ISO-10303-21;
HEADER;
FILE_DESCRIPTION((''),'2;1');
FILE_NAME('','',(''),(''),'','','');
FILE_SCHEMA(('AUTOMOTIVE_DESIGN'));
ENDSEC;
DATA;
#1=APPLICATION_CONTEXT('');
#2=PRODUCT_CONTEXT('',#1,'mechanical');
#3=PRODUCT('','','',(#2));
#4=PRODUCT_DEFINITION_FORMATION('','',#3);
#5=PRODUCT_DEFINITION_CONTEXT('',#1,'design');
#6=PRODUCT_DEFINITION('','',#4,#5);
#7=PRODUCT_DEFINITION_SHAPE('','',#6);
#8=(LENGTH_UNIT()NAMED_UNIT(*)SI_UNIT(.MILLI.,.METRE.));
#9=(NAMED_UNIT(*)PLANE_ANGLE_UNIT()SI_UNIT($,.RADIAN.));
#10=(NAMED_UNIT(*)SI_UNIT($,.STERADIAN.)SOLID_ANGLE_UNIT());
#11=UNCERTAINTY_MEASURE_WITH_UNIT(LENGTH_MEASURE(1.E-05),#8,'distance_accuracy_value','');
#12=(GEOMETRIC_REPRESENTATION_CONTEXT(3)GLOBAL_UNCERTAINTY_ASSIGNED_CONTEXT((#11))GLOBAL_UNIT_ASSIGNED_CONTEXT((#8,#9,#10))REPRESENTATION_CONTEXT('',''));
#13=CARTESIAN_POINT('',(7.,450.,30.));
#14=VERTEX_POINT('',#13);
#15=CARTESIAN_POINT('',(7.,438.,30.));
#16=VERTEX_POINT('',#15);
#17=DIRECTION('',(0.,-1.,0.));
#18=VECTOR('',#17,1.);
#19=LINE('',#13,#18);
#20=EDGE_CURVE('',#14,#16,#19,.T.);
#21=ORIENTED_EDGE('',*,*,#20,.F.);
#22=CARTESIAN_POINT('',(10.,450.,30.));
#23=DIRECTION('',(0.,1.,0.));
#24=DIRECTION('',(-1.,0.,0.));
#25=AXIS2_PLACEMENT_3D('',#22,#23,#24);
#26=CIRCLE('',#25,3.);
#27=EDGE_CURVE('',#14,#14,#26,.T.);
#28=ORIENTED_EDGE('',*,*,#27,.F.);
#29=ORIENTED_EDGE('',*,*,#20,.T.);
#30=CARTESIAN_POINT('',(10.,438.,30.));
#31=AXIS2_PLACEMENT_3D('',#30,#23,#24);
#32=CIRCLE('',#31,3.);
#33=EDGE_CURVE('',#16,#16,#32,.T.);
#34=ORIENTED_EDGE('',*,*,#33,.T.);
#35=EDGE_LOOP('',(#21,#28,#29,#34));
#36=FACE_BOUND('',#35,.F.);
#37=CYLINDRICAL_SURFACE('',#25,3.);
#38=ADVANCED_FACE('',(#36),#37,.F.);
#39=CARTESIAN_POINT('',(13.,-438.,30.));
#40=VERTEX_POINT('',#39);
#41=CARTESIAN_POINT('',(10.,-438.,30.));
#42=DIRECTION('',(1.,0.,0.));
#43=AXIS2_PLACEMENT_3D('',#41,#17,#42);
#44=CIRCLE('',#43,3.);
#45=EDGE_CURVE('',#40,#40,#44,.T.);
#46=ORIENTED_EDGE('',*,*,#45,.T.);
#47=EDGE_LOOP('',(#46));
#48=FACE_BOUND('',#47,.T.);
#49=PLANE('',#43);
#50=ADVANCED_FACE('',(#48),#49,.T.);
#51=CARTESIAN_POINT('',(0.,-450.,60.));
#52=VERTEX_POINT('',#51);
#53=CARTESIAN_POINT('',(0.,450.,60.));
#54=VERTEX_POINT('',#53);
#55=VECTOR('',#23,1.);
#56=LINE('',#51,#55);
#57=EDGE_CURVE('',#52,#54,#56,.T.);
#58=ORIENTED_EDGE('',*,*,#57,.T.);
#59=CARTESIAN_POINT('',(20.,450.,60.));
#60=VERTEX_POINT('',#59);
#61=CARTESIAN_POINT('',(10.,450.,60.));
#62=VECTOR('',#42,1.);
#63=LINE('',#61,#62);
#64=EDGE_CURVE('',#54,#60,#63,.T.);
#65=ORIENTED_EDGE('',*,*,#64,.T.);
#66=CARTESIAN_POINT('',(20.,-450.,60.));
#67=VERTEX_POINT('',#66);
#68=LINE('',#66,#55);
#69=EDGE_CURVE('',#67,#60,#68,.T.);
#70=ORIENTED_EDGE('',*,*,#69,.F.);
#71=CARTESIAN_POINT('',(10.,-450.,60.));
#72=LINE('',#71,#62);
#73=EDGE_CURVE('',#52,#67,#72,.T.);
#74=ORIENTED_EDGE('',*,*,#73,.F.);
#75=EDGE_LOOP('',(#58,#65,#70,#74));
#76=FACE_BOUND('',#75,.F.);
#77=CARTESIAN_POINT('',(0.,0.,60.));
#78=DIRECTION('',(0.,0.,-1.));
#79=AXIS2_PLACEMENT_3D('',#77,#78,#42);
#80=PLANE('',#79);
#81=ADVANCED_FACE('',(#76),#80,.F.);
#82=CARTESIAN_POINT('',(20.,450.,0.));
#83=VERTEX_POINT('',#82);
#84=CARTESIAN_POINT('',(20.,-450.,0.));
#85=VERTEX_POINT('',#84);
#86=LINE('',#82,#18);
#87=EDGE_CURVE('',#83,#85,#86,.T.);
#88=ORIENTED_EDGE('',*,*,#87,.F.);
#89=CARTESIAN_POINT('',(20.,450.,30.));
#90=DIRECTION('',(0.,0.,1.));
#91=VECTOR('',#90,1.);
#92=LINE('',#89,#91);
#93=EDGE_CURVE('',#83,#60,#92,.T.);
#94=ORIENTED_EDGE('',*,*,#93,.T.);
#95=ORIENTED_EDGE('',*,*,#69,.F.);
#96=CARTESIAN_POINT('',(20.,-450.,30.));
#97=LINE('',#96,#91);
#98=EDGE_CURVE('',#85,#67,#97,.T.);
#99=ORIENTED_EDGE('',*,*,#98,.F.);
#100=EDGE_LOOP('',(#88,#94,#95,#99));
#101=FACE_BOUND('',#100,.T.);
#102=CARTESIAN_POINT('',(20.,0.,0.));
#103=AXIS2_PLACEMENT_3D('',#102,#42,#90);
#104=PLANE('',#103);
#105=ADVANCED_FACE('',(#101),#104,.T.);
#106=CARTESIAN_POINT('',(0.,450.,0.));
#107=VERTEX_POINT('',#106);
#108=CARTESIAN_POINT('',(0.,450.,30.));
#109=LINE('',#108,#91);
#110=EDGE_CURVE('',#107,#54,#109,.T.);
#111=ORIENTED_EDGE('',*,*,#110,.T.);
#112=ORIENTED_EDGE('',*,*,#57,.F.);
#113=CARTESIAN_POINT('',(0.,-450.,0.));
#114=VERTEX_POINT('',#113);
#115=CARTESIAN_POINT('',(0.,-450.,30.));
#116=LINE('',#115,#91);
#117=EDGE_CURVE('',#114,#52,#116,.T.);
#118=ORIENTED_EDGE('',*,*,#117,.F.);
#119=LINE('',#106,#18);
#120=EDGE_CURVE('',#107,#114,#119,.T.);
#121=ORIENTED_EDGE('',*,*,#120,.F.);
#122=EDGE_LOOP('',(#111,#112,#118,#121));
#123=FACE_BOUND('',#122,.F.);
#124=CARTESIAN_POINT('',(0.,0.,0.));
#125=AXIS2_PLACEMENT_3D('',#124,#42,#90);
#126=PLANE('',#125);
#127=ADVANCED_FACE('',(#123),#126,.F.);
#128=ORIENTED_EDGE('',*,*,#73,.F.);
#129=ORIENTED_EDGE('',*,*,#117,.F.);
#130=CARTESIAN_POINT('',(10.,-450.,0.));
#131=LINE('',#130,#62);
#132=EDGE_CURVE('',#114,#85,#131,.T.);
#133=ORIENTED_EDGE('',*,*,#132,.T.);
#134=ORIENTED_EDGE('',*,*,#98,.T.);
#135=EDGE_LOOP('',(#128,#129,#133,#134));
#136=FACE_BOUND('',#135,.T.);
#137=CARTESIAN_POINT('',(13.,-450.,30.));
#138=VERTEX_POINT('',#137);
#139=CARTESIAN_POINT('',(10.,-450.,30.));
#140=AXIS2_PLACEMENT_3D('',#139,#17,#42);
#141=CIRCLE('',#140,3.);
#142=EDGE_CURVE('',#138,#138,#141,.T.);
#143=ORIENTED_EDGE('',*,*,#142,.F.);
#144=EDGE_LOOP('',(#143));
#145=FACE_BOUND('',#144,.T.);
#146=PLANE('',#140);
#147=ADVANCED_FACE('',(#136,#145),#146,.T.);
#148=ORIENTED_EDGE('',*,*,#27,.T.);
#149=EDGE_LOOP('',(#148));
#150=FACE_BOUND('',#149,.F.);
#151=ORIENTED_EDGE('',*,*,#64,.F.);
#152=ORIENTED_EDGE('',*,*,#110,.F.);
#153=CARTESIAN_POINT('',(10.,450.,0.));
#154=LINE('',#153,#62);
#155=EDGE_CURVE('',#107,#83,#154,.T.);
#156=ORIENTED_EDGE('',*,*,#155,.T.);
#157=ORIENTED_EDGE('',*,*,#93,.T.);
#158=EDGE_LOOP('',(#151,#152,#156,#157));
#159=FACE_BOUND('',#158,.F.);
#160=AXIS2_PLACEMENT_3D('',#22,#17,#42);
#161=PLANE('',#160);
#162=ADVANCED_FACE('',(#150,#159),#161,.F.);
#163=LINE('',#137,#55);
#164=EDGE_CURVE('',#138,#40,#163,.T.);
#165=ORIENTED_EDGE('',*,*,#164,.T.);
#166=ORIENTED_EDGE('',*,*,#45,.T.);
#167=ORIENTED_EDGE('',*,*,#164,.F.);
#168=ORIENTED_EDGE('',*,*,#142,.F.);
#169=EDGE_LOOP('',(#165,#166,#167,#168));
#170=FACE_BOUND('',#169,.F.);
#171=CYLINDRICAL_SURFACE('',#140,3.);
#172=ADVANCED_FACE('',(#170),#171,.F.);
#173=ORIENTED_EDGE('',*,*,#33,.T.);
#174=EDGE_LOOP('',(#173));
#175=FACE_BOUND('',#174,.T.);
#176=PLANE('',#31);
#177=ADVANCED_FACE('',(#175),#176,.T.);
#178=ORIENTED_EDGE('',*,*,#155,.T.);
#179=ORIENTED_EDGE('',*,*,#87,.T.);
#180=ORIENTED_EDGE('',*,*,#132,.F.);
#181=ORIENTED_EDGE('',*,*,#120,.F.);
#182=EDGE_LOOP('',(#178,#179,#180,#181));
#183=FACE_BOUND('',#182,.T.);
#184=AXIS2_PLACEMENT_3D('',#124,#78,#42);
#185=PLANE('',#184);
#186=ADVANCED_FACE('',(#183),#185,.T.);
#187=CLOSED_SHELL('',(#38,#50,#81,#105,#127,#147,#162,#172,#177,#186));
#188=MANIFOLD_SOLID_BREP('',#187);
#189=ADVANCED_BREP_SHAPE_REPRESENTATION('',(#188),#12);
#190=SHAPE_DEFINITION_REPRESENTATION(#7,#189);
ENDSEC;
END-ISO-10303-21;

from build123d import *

# Parameters (mm, degrees)
F0_W     = 20
F0_H     = 60
F1_DEPTH = 450
F3_R     = 3
F4_DEPTH = 12
F2_R     = 3
F5_DEPTH = 12


with BuildPart() as f1:
    # F0 (on Front) → F1 (new body, symmetric)
    with BuildSketch(Plane.XZ):
        with Locations((10, 30)):
            Rectangle(F0_W, F0_H)
    extrude(amount=F1_DEPTH, both=True)

    # F3 (on face) → F4 (cut)
    with BuildSketch(Plane(origin=(0, 450, 0), x_dir=(-1, 0, 0), z_dir=(0, 1, 0))):
        with Locations((-10, 30)):
            Circle(F3_R)
    extrude(amount=-F4_DEPTH, mode=Mode.SUBTRACT)

    # F2 (on face) → F5 (cut)
    with BuildSketch(Plane.XZ.offset(450)):
        with Locations((10, 30)):
            Circle(F2_R)
    extrude(amount=-F5_DEPTH, mode=Mode.SUBTRACT)


solid = f1.part
